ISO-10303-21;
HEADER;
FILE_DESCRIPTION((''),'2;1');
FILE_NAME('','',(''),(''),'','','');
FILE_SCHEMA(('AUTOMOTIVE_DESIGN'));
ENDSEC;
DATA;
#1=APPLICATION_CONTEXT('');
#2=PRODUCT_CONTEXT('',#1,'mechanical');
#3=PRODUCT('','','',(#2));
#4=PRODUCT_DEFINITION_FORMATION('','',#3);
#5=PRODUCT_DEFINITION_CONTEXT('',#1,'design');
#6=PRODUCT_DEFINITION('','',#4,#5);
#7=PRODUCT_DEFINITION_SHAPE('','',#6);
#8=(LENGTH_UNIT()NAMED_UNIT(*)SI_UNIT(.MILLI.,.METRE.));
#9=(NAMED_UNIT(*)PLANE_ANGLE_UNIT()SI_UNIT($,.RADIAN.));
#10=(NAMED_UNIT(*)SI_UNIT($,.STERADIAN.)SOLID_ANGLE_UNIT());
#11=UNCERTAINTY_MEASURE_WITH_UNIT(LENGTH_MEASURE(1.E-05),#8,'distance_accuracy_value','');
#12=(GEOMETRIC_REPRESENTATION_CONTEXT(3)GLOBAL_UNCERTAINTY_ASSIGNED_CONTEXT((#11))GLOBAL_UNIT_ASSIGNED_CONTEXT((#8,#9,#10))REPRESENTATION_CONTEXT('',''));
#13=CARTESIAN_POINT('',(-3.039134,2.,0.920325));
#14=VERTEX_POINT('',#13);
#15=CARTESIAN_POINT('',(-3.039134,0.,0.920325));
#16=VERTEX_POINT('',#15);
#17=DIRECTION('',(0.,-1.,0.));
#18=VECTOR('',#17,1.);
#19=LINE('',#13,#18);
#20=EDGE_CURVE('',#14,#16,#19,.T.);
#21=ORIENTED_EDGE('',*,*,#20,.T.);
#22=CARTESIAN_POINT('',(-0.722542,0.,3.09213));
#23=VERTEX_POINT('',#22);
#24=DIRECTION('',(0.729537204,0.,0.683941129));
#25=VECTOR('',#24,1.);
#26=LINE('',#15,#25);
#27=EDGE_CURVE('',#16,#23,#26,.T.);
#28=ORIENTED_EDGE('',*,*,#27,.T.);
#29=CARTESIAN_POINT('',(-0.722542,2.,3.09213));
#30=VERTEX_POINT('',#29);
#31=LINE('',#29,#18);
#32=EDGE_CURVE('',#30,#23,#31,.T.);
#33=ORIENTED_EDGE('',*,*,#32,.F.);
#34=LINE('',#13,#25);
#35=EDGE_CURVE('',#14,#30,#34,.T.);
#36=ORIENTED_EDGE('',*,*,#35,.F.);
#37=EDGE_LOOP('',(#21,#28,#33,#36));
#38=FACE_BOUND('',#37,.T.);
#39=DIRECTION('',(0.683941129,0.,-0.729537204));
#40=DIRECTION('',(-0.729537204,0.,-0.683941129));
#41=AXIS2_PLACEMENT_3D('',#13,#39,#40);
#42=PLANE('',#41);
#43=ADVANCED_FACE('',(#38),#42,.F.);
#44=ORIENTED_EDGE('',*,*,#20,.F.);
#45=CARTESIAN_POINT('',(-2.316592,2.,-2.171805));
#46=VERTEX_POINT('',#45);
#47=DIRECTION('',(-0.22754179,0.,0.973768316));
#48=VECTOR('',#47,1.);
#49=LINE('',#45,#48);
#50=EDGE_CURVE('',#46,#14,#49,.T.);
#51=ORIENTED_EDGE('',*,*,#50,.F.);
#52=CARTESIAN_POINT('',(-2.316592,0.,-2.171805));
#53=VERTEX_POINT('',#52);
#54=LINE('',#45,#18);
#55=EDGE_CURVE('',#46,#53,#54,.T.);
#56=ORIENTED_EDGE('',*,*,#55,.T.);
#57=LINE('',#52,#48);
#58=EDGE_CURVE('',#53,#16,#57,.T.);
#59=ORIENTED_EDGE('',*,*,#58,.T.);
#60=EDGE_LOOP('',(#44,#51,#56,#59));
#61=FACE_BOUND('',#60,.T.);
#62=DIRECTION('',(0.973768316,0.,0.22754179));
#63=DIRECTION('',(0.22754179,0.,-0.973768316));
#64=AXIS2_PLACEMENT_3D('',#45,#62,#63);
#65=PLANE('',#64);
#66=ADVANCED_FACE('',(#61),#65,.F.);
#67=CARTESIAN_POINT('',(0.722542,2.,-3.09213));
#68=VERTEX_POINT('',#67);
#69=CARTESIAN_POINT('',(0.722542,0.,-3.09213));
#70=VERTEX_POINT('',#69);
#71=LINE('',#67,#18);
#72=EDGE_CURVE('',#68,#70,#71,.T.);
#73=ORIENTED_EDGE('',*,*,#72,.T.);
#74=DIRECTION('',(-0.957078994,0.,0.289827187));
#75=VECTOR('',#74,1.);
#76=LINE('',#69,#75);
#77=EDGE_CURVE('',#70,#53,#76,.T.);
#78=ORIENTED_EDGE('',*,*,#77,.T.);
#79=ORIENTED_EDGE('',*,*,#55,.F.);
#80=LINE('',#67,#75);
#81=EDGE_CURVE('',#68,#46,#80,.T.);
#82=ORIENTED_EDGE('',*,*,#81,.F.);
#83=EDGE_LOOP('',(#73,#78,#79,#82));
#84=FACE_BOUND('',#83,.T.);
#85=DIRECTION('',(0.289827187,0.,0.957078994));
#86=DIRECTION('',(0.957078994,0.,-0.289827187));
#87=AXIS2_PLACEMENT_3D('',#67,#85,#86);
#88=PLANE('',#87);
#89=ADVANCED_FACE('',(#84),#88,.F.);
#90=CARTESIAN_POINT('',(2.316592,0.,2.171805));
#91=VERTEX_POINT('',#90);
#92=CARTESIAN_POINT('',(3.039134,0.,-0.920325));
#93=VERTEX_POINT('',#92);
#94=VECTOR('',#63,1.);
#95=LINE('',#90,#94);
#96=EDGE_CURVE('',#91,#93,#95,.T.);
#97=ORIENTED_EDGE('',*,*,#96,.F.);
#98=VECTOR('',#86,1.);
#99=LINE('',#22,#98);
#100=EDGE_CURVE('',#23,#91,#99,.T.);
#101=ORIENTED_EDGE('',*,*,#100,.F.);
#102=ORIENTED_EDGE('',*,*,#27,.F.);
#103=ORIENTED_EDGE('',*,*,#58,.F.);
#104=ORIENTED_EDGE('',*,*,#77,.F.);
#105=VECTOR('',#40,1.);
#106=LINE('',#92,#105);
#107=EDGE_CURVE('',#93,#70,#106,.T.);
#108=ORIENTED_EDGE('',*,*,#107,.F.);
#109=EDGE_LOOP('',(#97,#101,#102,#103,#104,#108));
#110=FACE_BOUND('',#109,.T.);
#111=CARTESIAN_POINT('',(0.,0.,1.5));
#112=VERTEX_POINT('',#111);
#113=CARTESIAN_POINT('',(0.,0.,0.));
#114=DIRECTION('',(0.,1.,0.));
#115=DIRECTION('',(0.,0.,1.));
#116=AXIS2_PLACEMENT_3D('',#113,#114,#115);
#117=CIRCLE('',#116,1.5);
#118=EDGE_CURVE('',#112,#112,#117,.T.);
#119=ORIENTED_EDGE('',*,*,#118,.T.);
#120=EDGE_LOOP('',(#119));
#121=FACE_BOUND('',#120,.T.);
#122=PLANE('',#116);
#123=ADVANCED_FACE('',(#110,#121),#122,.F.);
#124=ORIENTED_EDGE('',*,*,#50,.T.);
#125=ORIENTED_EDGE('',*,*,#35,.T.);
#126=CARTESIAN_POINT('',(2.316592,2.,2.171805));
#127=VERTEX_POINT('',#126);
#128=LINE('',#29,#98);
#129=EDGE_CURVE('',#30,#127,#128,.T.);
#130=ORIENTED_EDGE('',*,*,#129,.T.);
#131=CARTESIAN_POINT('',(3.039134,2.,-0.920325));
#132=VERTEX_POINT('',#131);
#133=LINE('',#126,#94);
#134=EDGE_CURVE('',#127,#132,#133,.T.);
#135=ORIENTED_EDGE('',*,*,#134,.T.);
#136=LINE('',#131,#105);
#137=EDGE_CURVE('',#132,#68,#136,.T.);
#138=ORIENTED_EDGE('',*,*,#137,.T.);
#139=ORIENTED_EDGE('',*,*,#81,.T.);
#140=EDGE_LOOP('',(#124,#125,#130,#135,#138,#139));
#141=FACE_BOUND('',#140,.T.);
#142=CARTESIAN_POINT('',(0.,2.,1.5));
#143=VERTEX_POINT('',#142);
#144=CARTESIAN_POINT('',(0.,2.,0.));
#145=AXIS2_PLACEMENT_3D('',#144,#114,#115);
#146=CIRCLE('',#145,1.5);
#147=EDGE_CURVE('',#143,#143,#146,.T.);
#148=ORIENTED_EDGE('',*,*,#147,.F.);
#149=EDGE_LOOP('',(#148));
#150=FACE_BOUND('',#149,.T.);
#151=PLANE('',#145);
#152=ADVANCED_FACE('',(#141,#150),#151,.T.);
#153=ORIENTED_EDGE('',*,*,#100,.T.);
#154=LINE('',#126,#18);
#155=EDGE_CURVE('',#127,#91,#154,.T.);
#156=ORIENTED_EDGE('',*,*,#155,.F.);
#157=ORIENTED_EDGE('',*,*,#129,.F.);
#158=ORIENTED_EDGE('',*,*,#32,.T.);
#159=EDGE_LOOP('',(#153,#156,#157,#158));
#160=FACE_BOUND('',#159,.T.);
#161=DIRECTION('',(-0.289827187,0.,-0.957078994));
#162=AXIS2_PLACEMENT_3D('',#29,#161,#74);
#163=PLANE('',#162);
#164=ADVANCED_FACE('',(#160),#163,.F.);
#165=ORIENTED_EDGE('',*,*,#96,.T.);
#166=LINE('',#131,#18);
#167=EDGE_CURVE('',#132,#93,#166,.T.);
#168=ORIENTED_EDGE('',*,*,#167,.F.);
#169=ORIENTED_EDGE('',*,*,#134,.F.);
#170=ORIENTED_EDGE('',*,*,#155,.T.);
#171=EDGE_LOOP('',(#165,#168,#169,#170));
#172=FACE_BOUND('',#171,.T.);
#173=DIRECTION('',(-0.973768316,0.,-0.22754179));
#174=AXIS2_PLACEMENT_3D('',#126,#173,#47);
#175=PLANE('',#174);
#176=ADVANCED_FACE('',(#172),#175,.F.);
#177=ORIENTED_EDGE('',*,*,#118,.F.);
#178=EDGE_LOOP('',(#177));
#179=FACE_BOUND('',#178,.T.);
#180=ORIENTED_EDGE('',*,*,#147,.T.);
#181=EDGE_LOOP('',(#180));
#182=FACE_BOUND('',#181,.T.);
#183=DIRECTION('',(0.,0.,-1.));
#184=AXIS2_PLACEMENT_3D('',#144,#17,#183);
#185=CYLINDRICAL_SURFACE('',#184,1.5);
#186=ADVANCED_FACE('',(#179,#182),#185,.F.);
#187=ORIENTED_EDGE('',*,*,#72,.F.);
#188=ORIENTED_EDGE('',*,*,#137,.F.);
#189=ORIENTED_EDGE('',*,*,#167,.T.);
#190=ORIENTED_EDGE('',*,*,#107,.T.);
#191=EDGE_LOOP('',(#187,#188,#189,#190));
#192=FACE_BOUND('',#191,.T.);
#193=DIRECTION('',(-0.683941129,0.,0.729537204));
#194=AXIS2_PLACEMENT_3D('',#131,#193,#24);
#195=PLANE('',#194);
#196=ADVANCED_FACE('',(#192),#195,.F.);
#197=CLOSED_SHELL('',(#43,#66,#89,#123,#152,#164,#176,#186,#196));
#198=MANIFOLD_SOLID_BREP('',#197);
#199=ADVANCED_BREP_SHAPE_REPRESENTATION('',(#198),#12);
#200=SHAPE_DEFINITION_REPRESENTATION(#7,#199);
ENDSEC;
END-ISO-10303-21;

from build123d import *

# Parameters (mm, degrees)
SKETCH1_R           = 1.5
BOSS_EXTRUDE1_DEPTH = 2


with BuildPart() as part:
    # Sketch1 → Boss-Extrude1 (new body)
    with BuildSketch(Plane(origin=(0, 0, 0), x_dir=(1, 0, 0), z_dir=(0, 1, 0))):
        Polygon((2.316591757, -2.171804772), (3.039133983, 0.920324925), (0.722542226, 3.092129697), (-2.316591757, 2.171804772), (-3.039133983, -0.920324925), (-0.722542226, -3.092129697), align=None)
        with Locations(Location((0, 0, 0), (0, 0, 270))):
            Circle(SKETCH1_R, mode=Mode.SUBTRACT)
    extrude(amount=BOSS_EXTRUDE1_DEPTH)


solid = part.part
